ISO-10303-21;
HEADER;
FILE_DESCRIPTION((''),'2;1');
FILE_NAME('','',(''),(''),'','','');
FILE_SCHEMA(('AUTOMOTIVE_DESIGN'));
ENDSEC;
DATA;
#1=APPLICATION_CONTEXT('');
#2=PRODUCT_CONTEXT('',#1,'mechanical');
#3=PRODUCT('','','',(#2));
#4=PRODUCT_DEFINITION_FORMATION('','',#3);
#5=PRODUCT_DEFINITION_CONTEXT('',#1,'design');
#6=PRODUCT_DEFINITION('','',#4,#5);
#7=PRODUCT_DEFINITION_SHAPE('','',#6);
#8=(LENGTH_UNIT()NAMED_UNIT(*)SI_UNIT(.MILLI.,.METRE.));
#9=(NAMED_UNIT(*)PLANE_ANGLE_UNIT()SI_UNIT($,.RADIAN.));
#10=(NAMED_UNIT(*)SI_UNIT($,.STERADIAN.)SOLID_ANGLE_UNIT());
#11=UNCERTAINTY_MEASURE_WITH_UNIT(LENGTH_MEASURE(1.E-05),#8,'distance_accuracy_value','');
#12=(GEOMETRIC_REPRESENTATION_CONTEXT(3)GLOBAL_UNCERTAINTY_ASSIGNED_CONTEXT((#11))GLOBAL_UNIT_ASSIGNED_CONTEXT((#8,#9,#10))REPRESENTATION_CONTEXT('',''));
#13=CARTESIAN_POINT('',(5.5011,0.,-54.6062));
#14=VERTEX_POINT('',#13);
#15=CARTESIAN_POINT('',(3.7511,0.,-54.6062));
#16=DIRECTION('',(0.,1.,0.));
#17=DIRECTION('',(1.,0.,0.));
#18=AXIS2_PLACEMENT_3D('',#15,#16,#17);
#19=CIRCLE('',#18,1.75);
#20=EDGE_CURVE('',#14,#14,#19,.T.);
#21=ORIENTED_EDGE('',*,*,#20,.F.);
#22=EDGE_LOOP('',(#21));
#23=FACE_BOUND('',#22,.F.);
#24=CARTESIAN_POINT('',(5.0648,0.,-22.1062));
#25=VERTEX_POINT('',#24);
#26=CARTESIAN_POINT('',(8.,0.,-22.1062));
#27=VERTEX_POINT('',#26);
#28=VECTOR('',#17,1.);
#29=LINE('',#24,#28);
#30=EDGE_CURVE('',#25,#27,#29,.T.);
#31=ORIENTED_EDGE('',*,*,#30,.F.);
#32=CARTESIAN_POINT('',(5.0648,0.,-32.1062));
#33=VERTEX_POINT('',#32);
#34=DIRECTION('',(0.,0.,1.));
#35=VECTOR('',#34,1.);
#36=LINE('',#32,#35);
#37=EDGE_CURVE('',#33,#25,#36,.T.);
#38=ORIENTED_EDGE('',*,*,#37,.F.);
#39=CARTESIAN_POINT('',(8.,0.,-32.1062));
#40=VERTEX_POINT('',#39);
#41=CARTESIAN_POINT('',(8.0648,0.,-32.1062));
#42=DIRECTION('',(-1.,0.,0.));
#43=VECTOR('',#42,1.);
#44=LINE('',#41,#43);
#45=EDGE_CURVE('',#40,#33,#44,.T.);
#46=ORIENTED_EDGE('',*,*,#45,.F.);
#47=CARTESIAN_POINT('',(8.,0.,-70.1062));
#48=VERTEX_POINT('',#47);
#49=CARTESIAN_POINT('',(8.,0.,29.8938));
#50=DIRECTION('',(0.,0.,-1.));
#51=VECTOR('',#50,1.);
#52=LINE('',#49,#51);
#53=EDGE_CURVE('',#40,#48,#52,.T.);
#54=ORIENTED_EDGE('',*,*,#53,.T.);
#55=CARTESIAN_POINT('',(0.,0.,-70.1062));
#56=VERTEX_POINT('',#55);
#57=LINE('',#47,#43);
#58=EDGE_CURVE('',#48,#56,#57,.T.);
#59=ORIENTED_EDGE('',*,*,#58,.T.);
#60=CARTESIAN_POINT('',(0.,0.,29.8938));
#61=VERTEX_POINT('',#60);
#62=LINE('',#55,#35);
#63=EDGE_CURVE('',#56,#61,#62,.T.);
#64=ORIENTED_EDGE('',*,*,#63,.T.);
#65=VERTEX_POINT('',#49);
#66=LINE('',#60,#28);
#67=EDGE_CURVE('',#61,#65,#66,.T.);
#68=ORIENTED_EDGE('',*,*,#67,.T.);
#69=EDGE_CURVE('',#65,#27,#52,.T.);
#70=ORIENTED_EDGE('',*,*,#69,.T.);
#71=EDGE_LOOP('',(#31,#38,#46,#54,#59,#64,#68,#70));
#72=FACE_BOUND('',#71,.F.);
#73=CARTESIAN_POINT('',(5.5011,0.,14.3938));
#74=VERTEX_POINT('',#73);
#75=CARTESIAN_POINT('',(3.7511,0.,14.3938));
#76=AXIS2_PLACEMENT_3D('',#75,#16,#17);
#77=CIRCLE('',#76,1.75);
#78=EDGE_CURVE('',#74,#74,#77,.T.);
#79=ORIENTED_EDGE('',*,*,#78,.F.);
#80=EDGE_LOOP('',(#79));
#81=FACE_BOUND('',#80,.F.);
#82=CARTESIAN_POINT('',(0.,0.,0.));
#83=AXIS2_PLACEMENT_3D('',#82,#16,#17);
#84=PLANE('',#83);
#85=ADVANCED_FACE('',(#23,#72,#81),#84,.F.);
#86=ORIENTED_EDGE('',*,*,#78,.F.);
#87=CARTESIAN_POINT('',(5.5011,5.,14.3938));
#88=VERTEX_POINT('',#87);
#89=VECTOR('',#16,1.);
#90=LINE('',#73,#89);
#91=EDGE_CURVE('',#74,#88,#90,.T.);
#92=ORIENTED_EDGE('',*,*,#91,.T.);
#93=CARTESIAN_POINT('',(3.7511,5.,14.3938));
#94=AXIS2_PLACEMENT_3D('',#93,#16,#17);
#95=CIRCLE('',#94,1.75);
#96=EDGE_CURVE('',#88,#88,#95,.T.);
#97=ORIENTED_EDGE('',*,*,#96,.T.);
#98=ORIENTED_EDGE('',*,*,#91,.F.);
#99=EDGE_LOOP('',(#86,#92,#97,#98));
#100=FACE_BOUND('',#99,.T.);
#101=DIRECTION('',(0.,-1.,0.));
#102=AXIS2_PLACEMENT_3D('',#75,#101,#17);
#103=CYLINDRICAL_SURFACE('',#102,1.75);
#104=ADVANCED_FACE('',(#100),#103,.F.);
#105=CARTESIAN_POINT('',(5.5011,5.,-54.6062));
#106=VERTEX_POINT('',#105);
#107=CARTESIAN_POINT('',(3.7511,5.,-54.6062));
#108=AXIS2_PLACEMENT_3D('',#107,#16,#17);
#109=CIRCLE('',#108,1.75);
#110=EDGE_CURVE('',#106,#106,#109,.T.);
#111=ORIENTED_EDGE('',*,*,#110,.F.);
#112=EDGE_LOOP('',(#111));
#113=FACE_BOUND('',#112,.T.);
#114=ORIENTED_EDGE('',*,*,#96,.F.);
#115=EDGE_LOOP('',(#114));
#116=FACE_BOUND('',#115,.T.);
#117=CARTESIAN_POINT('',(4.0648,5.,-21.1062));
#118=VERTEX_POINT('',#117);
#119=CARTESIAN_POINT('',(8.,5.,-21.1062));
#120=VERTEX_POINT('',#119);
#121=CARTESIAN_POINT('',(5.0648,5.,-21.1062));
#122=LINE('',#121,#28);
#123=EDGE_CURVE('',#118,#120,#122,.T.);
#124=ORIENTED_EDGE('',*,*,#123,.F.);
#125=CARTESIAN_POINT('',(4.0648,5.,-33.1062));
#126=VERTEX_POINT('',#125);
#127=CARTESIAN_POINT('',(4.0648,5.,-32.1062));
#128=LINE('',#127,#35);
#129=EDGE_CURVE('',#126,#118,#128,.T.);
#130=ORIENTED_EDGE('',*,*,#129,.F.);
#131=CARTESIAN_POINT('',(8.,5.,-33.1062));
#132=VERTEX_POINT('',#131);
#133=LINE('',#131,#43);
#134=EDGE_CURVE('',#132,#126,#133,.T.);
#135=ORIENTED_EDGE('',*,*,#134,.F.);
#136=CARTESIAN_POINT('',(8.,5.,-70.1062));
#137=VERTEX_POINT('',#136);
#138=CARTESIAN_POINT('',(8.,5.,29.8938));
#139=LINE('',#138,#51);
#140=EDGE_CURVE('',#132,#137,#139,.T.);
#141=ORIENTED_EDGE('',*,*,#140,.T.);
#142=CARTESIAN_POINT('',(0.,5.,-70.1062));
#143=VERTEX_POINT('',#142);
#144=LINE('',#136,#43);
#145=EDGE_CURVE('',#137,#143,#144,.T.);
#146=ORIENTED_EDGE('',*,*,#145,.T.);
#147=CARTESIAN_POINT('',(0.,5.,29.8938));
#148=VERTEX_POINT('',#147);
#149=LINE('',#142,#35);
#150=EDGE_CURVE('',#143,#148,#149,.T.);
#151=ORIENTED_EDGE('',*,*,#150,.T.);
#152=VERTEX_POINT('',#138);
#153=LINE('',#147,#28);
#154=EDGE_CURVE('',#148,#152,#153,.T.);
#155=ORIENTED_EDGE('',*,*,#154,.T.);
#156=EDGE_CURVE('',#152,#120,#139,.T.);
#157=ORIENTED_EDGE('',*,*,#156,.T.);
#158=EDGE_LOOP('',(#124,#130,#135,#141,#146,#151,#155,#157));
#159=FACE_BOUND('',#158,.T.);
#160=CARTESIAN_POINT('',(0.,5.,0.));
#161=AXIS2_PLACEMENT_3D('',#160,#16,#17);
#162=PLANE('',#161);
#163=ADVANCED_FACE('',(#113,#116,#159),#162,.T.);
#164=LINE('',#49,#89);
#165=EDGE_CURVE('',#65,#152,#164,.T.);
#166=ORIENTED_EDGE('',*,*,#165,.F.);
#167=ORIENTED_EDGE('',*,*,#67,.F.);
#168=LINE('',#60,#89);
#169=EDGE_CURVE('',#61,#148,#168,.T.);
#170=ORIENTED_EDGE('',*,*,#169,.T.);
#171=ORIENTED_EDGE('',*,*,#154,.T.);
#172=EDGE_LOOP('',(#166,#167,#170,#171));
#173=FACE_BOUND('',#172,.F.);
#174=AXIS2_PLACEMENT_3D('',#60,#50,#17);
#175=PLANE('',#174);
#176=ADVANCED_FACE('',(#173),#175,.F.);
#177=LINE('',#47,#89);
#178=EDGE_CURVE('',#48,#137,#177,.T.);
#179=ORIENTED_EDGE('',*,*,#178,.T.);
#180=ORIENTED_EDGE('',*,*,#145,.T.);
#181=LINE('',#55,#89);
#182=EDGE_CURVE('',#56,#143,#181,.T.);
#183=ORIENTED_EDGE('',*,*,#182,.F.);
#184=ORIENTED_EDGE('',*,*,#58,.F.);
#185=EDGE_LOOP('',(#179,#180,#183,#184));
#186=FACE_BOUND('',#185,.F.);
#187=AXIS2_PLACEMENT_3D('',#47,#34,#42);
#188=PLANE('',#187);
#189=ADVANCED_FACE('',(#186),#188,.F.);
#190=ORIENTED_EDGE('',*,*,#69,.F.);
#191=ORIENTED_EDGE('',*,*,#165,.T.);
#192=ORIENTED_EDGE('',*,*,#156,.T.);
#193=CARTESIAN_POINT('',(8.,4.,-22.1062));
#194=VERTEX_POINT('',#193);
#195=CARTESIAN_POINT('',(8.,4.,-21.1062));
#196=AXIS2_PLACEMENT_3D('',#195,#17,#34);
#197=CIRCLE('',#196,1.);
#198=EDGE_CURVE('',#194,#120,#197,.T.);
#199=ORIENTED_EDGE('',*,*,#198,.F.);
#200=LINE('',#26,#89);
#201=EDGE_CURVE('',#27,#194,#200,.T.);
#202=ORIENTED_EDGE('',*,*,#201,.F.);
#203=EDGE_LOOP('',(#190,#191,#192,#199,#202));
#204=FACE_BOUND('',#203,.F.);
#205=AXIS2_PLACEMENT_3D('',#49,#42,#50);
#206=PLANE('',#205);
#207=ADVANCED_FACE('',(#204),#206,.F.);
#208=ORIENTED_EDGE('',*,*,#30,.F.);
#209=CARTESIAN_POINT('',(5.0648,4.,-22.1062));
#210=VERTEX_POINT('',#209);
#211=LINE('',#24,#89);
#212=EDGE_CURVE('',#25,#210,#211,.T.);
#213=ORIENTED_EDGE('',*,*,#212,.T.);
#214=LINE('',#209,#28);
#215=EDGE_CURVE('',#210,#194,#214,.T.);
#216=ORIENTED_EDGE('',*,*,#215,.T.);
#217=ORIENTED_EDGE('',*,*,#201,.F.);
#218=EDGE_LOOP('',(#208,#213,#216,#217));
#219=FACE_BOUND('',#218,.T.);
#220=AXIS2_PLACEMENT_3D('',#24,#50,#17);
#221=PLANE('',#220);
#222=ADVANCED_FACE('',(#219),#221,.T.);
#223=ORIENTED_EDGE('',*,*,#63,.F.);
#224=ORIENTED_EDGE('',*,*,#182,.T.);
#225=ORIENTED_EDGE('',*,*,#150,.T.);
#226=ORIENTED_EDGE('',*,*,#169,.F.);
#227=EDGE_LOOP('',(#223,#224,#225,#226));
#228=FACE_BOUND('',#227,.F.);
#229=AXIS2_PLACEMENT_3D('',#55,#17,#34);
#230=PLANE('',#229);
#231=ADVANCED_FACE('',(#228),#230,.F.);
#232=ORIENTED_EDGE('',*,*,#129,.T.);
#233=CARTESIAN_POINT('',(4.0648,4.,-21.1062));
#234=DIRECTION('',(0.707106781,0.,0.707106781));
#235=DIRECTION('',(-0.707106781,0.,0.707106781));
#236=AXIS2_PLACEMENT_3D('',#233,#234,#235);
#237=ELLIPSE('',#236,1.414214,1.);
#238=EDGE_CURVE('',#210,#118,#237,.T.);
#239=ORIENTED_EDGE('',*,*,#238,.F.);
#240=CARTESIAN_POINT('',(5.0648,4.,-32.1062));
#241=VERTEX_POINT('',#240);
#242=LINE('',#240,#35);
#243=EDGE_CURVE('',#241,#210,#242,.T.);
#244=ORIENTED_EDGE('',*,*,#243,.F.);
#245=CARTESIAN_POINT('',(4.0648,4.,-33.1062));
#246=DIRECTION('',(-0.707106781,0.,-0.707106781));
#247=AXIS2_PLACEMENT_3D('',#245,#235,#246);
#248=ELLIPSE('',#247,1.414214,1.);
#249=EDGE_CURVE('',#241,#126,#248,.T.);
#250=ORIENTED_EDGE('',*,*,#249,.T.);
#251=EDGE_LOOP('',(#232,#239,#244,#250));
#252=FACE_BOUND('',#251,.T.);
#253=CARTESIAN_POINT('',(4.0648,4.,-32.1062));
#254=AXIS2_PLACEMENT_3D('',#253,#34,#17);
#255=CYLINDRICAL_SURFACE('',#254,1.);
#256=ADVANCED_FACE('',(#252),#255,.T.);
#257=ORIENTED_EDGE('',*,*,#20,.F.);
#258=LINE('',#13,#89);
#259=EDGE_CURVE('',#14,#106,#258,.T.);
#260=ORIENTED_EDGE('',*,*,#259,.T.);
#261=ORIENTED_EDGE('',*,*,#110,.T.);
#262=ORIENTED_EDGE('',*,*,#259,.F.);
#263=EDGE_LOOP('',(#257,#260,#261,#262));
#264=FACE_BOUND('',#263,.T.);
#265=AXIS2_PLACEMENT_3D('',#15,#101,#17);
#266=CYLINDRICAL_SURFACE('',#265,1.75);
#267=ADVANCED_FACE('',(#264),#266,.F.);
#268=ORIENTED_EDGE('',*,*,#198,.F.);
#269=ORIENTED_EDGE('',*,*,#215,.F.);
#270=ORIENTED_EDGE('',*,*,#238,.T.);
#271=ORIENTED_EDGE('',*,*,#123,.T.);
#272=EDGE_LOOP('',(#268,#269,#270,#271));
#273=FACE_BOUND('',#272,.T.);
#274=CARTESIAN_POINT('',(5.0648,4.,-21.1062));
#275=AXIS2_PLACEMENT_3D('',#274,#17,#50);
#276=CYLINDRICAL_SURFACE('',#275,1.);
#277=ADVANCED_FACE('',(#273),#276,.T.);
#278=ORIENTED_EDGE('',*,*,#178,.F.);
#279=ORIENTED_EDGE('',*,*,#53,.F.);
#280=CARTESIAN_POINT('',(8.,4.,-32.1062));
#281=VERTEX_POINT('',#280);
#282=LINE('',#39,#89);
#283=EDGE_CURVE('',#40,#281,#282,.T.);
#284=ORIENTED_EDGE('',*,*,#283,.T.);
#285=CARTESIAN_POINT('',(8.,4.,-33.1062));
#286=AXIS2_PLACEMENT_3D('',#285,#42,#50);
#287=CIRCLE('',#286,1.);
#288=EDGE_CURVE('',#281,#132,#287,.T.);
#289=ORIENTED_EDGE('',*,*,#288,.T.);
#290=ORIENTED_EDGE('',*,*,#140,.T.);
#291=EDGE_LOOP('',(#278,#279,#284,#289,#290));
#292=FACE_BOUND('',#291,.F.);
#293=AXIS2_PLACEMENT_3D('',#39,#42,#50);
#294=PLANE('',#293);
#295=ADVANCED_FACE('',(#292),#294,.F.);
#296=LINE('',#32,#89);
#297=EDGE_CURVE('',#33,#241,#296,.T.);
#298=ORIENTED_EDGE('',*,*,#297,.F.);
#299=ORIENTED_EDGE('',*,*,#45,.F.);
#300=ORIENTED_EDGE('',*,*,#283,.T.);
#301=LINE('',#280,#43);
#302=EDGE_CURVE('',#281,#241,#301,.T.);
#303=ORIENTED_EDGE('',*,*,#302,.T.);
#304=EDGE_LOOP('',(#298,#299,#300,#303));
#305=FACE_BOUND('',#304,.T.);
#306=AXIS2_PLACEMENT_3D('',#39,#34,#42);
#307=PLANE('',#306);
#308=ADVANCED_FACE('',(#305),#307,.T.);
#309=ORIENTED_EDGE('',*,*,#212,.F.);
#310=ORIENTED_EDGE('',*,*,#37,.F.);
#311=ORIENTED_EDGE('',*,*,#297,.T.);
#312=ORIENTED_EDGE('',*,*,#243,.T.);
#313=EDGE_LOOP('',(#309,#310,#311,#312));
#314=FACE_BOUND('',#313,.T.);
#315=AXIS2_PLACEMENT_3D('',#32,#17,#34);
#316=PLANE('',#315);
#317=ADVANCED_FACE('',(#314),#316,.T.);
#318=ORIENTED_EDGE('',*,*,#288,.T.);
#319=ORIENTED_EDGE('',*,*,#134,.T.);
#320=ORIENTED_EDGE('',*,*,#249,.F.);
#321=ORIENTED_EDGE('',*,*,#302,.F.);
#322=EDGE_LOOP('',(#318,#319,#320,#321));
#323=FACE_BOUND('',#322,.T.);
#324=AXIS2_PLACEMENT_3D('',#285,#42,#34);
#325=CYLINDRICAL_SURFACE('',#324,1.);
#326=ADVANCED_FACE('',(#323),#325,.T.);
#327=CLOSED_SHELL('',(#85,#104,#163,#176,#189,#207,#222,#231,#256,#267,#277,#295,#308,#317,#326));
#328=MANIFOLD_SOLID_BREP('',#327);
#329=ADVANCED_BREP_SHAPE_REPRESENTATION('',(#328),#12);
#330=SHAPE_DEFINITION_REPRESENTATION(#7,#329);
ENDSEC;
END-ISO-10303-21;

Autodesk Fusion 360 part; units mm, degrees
sketch "Sketch1" plane through (0, 0, 0) normal (0, 1, 0) x (1, 0, 0)
  line L0 (0, -29.8938) -> (8, -29.8938)
  line L1 (8, -29.8938) -> (8, 70.1062)
  line L2 (8, 70.1062) -> (0, 70.1062)
  line L3 (0, 70.1062) -> (0, -29.8938)
  circle A0 centre (3.7511, -14.3938) radius 1.75
  circle A1 centre (3.7511, 54.6062) radius 1.75
  line L4 (5.0648, 22.1062) -> (8.0648, 22.1062)
  line L5 (8.0648, 22.1062) -> (8.0648, 32.1062)
  line L6 (8.0648, 32.1062) -> (5.0648, 32.1062)
  line L7 (5.0648, 32.1062) -> (5.0648, 22.1062)
  dimension "d1" = 8
  dimension "d2" = 100
  dimension "d3" = 3.5
  dimension "d4" = 15.5
  dimension "d5" = 3.5
  dimension "d6" = 15.5
  dimension "d7" = 69
  dimension "d10" = 3
  dimension "d11" = 10
  dimension "d16" = 38
extrude "Extrude2" add sketch "Sketch1" along normal blind 5 contours L0 L1 L2 L3 L4 L6 L7
fillet "Fillet1" radius 1 3 edges at (6.5324, 5, -32.1062) (5.0648, 5, -27.1062) (6.5324, 5, -22.1062)
